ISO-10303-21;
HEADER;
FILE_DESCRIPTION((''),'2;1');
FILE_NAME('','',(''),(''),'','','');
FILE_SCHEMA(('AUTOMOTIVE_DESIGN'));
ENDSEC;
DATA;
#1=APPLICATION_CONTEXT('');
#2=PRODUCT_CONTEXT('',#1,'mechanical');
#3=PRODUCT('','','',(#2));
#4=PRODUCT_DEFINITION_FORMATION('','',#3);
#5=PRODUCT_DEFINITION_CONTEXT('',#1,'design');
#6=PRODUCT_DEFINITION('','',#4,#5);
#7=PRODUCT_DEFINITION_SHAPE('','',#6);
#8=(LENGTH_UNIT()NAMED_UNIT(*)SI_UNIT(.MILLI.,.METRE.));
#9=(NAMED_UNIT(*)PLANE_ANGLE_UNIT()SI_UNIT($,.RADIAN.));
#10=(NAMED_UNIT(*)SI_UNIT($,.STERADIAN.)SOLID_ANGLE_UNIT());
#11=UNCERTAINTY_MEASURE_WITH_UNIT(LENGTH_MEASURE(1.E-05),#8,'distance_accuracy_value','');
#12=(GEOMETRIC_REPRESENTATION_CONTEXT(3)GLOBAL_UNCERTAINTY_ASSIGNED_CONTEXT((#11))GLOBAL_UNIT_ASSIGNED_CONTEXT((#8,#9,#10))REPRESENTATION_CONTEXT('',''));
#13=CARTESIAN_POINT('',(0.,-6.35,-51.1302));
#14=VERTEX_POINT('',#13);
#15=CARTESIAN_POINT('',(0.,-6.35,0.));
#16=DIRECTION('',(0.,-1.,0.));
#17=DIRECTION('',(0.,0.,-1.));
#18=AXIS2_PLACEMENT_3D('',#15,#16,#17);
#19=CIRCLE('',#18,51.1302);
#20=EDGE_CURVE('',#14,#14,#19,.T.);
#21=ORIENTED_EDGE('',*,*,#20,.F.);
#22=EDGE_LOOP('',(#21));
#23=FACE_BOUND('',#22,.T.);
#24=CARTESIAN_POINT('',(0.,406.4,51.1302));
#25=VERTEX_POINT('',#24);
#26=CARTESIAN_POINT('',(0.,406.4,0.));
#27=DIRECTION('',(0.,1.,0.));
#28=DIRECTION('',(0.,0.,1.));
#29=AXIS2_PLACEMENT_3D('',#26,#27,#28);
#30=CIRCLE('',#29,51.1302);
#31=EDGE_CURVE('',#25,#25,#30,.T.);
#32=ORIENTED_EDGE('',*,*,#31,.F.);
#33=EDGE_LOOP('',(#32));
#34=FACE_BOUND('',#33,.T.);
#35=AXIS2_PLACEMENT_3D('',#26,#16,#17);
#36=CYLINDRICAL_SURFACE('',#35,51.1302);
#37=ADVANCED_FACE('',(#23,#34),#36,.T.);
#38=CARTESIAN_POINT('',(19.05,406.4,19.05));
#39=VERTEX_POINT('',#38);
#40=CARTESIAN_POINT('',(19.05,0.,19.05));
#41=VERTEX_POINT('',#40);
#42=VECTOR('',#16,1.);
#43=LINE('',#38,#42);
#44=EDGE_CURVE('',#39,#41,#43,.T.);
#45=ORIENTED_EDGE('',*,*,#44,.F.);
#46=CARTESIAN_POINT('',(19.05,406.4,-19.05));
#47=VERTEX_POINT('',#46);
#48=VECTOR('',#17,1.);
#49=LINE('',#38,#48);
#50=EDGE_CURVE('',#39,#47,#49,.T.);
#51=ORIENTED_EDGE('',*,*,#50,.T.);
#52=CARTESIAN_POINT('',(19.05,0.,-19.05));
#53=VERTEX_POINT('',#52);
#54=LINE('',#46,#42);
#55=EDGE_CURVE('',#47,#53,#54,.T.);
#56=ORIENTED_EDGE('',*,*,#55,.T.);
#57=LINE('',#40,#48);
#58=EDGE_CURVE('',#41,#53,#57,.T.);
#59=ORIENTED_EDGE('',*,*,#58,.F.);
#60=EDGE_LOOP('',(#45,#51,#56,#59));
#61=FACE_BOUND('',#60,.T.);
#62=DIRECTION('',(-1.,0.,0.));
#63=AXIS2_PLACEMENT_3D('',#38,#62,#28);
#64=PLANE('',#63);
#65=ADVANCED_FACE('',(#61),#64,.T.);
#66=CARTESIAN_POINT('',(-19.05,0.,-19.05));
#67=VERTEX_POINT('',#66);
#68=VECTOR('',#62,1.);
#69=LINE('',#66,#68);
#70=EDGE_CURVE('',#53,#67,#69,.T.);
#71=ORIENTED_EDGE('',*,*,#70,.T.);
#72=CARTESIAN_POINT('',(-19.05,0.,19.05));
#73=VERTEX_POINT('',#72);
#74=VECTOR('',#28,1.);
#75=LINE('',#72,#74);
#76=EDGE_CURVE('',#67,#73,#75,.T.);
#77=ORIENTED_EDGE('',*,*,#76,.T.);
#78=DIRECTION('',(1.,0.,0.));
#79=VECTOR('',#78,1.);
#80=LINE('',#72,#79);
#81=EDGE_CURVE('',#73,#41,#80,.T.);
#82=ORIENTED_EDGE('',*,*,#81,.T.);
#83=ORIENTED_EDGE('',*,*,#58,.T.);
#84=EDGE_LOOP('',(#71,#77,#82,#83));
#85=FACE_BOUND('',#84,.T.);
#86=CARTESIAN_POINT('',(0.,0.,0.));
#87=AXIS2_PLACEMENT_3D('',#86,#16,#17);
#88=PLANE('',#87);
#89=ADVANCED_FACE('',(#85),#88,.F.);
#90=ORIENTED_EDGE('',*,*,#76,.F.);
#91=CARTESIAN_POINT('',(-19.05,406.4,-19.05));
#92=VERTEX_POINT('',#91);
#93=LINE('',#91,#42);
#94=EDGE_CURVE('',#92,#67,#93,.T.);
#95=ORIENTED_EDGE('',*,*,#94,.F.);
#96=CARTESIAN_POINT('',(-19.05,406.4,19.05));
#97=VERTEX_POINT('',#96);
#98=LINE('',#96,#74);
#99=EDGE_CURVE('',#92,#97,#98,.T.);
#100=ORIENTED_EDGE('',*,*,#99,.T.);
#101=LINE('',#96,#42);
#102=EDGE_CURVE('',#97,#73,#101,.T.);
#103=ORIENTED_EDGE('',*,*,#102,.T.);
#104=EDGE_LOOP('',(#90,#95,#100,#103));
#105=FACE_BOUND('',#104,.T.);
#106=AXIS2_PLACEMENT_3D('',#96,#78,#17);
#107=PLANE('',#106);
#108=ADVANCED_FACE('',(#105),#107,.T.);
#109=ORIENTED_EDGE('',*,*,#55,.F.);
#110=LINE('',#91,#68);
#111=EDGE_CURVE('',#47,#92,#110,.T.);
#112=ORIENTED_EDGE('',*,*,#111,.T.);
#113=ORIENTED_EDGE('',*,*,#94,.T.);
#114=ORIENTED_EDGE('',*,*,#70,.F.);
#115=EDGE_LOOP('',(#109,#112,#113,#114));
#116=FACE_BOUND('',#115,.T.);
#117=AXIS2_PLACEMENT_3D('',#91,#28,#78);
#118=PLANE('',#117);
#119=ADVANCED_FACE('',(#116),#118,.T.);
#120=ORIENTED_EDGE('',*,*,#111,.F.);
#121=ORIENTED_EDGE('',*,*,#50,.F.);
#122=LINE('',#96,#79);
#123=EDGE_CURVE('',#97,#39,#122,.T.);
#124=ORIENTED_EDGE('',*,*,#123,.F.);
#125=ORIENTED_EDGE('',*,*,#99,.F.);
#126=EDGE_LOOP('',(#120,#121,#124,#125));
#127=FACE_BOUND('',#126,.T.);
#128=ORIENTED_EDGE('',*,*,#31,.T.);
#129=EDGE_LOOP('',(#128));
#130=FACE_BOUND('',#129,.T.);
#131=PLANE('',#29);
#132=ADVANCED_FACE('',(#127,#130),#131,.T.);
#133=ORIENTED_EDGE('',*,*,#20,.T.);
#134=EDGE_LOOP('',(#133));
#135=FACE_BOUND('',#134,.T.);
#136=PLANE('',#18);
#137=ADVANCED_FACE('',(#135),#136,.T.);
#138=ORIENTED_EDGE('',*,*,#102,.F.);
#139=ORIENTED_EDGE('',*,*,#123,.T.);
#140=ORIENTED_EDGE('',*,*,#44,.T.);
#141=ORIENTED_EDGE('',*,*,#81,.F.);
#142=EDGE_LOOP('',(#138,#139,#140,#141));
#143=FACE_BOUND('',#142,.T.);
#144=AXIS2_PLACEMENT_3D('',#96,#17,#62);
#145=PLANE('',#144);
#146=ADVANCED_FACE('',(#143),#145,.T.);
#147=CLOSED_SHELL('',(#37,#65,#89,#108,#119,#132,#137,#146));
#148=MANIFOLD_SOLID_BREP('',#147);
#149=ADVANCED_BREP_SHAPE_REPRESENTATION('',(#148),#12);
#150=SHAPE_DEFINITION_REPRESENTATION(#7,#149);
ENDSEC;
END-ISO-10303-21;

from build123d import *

# Parameters (mm, degrees)
SKETCH1_R           = 51.1302
SKETCH1_W           = 38.1
SKETCH1_H           = 38.1
BOSS_EXTRUDE1_DEPTH = 406.4
BOSS_EXTRUDE2_START = 6.35
SKETCH2_R           = 51.1302
BOSS_EXTRUDE2_DEPTH = 6.35


with BuildPart() as part:
    # Sketch1 → Boss-Extrude1 (new body)
    with BuildSketch(Plane(origin=(0, 0, 0), x_dir=(1, 0, 0), z_dir=(0, 1, 0))):
        with Locations(Location((0, 0, 0), (0, 0, 270))):
            Circle(SKETCH1_R)
        Rectangle(SKETCH1_W, SKETCH1_H, mode=Mode.SUBTRACT)
    extrude(amount=BOSS_EXTRUDE1_DEPTH)

    # Sketch2 → Boss-Extrude2 (add)
    with BuildSketch(Plane.XZ.offset(BOSS_EXTRUDE2_START)):
        with Locations(Location((0, 0, 0), (0, 0, 270))):
            Circle(SKETCH2_R)
    extrude(amount=-BOSS_EXTRUDE2_DEPTH)


solid = part.part
